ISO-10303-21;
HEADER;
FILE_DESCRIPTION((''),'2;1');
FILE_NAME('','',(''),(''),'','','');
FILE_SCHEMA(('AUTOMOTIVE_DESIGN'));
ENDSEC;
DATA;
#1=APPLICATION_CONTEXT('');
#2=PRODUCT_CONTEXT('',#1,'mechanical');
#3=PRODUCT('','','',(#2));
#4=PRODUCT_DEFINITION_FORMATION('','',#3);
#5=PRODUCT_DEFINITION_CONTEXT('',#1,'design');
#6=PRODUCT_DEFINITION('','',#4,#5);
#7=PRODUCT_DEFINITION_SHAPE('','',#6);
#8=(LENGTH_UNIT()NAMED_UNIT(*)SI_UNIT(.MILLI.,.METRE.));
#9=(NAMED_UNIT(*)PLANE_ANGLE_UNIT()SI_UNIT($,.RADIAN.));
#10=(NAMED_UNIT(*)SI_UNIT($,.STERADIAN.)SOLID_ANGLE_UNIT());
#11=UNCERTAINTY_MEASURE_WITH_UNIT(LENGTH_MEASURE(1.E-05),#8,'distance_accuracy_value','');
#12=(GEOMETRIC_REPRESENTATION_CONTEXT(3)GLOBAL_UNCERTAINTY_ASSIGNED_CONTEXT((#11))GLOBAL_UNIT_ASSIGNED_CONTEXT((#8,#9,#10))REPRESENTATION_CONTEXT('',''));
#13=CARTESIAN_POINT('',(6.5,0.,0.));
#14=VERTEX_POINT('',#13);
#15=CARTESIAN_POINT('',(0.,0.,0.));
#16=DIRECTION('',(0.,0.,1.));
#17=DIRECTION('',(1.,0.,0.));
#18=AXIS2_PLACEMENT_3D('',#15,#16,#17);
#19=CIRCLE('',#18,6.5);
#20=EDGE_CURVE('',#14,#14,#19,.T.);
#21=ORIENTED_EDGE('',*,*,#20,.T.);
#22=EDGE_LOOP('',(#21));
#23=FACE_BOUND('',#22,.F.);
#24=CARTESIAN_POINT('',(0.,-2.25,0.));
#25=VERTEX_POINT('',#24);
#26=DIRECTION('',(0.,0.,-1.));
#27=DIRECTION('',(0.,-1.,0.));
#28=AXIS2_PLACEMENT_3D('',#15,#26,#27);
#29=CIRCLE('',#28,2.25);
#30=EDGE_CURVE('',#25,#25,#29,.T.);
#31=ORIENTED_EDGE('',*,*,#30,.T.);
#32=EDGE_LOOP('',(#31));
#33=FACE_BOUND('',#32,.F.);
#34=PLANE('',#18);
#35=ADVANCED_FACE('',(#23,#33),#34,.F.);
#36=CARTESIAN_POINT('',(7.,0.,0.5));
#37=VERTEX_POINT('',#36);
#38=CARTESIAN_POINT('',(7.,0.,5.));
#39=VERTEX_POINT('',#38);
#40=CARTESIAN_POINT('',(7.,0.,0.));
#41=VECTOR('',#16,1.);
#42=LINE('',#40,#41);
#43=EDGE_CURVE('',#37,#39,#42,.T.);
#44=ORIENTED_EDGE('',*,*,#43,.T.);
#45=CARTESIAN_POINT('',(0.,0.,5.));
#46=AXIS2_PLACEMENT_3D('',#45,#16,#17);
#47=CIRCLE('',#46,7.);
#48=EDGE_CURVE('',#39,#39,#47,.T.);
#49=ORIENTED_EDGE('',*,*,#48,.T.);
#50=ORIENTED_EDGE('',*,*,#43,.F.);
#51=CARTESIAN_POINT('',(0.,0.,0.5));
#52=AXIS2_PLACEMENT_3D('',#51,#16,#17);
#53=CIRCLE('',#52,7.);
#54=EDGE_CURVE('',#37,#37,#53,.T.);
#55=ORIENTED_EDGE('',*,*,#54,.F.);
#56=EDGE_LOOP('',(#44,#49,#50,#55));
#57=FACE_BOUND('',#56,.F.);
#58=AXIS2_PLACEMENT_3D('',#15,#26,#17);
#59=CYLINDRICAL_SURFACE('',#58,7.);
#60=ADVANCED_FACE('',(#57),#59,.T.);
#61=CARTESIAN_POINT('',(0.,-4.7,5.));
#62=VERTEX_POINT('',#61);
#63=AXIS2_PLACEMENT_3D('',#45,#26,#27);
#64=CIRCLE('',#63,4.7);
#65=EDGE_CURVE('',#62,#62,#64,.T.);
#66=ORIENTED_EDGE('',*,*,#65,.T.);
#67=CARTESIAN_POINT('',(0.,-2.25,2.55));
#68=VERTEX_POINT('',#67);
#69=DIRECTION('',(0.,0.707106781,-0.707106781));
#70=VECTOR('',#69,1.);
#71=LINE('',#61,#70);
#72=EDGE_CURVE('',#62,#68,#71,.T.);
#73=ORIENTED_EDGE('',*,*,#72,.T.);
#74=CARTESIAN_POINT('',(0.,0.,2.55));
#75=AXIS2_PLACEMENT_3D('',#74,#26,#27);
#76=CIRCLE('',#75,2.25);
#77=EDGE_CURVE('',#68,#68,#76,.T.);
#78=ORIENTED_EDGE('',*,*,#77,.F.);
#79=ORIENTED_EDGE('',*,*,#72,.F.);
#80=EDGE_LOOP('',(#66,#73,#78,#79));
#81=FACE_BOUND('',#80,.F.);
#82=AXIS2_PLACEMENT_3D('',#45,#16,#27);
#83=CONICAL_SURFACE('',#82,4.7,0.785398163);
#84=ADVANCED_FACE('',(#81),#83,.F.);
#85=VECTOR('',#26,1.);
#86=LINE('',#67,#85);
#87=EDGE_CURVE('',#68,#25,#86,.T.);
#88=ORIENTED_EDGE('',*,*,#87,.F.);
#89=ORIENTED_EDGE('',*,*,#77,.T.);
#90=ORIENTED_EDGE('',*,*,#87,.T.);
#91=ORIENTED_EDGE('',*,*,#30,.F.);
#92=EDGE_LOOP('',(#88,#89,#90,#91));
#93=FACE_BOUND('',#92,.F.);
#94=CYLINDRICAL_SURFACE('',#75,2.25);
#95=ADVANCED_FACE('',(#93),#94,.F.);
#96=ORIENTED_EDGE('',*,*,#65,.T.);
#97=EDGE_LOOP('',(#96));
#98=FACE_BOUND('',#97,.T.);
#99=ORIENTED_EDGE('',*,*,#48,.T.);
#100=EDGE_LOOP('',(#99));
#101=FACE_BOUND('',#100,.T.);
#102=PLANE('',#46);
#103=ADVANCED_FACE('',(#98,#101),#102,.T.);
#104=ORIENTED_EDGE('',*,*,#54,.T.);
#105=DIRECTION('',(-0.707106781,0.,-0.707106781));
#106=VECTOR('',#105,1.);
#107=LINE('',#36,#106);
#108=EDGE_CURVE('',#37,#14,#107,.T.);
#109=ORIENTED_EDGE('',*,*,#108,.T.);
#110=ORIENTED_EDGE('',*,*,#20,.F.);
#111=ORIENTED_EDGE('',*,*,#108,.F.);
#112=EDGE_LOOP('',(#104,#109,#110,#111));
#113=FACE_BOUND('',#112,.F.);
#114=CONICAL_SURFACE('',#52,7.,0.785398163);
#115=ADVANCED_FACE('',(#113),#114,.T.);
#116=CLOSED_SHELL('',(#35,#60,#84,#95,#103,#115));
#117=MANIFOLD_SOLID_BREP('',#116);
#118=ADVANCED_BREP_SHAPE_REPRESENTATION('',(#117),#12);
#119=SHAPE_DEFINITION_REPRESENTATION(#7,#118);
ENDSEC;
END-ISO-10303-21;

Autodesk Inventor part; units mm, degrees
ref_plane "YZ Plane" through (0, 0, 0) normal (1, 0, 0) x (0, 1, 0)
ref_plane "XZ Plane" through (0, 0, 0) normal (0, 1, 0) x (-1, 0, 0)
ref_plane "XY Plane" through (0, 0, 0) normal (0, 0, 1) x (1, 0, 0)
sketch "Sketch1" plane through (0, 0, 0) normal (0, 0, 1) x (1, 0, 0)
  circle A0 centre (0, 0) radius 7
  dimension "d0" = 14
extrude "Extrusion1" add sketch "Sketch1" along normal blind 5
sketch "Sketch2" plane through (0, 0, 5) normal (0, 0, 1) x (1, 0, 0)
  point P0 (0, 0)
  point P1 (0, 0)
hole "Hole1" at (0, 0, 5) direction (0, 0, -1) diameter 4.5 end through all countersink diameter 9.4 countersink angle 90 clearance for "Flat Head Machine Screw" size "M4" standard "Ansi Metric M Profile"
chamfer "Chamfer1" distance 0.5 angle 45 1 edges at (-7, 0, 0)
properties part number "Top_Lever End Piece" material "Stainless Steel"
